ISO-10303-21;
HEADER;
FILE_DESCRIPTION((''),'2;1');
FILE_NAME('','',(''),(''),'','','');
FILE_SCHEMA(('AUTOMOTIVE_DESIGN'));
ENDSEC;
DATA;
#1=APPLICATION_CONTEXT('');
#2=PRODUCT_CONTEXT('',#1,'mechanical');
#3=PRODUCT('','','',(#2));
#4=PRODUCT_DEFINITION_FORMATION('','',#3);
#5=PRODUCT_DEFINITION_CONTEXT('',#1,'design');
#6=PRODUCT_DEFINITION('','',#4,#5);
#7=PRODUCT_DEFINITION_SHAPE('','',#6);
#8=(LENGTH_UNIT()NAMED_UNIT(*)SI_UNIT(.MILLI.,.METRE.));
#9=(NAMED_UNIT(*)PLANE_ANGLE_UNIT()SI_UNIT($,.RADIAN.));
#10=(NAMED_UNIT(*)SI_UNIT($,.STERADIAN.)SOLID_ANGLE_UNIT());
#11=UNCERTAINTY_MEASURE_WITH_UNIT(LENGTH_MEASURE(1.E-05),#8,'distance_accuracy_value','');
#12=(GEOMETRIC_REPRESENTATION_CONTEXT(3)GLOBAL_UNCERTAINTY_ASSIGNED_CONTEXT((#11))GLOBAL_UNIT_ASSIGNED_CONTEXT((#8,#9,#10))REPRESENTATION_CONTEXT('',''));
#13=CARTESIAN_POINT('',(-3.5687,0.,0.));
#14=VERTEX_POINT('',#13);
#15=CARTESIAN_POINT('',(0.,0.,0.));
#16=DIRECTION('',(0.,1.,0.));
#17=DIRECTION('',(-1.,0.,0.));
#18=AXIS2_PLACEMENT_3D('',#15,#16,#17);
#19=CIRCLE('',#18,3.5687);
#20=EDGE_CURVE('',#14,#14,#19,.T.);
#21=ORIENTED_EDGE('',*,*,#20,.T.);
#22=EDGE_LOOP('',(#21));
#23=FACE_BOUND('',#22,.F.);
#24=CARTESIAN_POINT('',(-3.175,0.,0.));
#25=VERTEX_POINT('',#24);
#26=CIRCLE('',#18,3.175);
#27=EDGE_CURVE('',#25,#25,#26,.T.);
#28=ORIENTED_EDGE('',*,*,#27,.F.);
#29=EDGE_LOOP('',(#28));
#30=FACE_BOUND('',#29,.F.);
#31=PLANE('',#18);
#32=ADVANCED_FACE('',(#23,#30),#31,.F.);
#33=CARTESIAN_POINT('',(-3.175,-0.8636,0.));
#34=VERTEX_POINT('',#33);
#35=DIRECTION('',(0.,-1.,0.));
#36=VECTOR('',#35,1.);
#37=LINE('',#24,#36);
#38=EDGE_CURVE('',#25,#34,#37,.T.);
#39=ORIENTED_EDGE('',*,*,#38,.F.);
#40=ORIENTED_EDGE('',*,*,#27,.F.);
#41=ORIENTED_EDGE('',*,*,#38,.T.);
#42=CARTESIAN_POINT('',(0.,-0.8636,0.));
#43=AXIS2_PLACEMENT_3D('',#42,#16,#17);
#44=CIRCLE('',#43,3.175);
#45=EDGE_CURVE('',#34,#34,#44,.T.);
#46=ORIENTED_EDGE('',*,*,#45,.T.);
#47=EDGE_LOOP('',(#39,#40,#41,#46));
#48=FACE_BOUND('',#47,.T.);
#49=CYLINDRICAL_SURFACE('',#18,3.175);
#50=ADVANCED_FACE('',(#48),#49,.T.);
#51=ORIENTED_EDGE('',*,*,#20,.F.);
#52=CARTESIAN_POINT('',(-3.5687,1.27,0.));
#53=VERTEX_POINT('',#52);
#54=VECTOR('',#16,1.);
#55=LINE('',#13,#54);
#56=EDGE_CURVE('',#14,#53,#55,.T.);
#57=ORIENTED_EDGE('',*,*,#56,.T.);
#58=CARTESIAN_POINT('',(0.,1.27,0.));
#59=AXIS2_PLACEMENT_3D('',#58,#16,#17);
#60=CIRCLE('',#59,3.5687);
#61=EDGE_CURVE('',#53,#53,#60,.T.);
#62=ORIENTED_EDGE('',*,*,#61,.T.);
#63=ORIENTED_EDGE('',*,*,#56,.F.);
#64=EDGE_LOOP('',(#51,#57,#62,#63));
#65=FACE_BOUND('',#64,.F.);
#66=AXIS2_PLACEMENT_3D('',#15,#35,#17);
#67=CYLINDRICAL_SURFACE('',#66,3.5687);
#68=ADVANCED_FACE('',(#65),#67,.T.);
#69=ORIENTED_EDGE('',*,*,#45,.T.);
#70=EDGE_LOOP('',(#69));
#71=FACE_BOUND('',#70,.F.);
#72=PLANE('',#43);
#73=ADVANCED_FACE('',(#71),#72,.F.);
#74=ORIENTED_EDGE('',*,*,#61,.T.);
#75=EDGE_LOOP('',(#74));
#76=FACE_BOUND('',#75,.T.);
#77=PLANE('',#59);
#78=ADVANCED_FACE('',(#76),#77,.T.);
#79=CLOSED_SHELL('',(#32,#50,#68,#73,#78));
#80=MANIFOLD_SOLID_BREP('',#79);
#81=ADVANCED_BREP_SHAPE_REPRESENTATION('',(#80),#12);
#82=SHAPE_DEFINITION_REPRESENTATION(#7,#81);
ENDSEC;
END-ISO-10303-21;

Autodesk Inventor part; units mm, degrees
ref_plane "YZ Plane" through (0, 0, 0) normal (1, 0, 0) x (0, 1, 0)
ref_plane "XZ Plane" through (0, 0, 0) normal (0, 1, 0) x (-1, 0, 0)
ref_plane "XY Plane" through (0, 0, 0) normal (0, 0, 1) x (1, 0, 0)
sketch "Sketch1" plane through (0, 0, 0) normal (0, 1, 0) x (-1, 0, 0)
  circle A0 centre (0, 0) radius 3.175
  circle A1 centre (0, 0) radius 3.5687
  dimension "d0" = 6.35
  dimension "d1" = 7.1374
extrude "Extrusion1" add sketch "Sketch1" along normal blind 1.27 contours A0 | A1
extrude "Extrusion2" add sketch "Sketch1" against normal blind 0.8636 contours A0
properties part number "Cylinder Top"
